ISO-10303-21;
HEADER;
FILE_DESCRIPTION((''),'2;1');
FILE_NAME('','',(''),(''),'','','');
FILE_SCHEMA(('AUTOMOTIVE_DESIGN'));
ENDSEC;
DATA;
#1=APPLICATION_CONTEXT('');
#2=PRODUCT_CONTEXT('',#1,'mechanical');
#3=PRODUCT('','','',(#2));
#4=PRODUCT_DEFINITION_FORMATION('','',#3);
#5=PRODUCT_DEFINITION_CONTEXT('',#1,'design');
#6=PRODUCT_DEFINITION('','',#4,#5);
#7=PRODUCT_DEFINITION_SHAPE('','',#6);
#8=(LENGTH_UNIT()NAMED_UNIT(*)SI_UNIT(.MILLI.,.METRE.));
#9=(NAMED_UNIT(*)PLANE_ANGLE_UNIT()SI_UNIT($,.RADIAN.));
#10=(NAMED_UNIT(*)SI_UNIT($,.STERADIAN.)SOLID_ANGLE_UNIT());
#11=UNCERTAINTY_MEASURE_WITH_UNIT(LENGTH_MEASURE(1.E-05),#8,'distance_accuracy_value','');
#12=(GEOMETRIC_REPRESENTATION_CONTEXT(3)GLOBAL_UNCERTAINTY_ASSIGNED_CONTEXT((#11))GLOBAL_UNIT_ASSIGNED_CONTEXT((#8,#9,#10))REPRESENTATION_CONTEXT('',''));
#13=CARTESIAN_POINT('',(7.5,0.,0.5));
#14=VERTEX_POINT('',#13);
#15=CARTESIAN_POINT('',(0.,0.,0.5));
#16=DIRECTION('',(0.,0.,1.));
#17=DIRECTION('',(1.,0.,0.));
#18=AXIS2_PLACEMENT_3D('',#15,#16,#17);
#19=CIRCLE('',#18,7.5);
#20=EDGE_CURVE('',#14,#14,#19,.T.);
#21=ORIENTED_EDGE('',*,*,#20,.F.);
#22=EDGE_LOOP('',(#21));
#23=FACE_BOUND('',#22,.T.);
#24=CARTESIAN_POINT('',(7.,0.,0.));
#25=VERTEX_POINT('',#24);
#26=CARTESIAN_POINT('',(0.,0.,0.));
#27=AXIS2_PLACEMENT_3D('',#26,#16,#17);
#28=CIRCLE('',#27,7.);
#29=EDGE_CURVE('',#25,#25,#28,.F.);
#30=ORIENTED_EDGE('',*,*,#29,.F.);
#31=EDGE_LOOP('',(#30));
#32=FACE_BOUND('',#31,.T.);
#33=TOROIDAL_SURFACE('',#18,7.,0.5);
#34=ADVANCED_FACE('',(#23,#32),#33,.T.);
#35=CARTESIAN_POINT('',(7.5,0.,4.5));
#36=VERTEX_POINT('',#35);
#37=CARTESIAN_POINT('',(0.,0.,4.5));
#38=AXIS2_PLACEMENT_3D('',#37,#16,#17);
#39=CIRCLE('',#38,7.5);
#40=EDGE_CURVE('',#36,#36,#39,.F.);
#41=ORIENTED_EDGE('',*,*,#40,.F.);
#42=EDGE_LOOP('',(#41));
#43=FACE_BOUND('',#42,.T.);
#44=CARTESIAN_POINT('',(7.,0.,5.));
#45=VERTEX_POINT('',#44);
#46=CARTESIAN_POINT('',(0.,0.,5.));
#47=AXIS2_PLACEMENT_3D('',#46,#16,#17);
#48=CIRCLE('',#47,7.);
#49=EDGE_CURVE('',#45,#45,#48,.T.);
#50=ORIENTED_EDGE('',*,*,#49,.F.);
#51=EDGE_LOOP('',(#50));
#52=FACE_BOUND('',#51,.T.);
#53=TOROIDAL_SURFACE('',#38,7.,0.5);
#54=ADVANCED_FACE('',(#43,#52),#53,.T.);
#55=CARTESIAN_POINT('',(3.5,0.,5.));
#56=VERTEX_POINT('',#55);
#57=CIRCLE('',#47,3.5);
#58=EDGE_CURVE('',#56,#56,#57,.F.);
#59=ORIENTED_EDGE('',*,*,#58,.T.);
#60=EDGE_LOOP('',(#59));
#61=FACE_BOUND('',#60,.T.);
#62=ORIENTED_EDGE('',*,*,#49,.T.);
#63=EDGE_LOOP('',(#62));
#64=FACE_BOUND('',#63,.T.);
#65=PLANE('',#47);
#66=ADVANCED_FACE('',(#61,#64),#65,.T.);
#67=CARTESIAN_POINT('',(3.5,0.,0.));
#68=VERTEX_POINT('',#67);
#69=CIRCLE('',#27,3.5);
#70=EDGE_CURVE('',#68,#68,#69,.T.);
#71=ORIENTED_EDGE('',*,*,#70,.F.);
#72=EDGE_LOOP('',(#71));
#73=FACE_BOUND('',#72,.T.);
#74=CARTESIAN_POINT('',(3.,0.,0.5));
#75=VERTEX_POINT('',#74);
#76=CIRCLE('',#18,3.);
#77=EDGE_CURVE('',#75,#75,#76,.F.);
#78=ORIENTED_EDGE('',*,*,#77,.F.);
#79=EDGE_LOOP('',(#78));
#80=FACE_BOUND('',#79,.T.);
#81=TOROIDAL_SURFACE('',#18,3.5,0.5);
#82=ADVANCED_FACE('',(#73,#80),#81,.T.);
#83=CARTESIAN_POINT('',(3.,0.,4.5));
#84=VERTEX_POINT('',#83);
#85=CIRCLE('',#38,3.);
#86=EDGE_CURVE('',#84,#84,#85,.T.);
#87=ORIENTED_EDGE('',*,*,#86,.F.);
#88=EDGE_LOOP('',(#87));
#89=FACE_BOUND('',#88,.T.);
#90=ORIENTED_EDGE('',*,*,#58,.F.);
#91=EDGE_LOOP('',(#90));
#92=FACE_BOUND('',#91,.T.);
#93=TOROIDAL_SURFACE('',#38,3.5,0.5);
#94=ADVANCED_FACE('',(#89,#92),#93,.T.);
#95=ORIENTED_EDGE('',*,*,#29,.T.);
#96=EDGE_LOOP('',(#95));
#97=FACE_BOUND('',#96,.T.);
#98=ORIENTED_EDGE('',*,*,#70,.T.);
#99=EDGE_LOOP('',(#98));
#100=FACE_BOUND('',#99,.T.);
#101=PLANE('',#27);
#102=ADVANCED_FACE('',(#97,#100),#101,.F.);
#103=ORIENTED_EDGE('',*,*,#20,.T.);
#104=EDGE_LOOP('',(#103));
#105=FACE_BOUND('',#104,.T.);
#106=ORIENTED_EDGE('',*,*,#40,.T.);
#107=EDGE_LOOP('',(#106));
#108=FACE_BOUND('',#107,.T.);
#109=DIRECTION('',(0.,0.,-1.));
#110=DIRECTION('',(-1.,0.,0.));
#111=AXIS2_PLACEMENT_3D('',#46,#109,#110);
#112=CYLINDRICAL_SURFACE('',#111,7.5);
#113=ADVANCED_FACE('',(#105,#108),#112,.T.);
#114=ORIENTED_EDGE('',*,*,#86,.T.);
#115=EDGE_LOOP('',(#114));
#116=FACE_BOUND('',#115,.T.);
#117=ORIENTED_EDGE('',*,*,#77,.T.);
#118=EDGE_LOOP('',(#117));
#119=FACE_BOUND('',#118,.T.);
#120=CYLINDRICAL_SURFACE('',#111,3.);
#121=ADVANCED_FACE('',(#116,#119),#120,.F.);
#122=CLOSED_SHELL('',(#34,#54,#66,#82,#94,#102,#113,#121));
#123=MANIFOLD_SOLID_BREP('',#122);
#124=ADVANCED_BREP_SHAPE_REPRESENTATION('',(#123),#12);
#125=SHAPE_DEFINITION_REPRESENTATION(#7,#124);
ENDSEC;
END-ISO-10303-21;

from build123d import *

# Parameters (mm, degrees)
ESQUISSE1_R        = 7.5
ESQUISSE1_R_2      = 3
BOSS_EXTRU_1_DEPTH = 5
CONG_1_R           = 0.5


with BuildPart() as part:
    # Esquisse1 → Boss.-Extru.1 (new body)
    with BuildSketch(Plane.XY):
        Circle(ESQUISSE1_R)
        Circle(ESQUISSE1_R_2, mode=Mode.SUBTRACT)
    extrude(amount=BOSS_EXTRU_1_DEPTH)

    # Congé1
    cong_1_edges = [part.edges().sort_by_distance(p)[0] for p in [
        (-7.5, 0, 0),
        (-7.5, 0, 5),
        (-3, 0, 0),
        (-3, 0, 5),
    ]]
    fillet(cong_1_edges, radius=CONG_1_R)


solid = part.part
